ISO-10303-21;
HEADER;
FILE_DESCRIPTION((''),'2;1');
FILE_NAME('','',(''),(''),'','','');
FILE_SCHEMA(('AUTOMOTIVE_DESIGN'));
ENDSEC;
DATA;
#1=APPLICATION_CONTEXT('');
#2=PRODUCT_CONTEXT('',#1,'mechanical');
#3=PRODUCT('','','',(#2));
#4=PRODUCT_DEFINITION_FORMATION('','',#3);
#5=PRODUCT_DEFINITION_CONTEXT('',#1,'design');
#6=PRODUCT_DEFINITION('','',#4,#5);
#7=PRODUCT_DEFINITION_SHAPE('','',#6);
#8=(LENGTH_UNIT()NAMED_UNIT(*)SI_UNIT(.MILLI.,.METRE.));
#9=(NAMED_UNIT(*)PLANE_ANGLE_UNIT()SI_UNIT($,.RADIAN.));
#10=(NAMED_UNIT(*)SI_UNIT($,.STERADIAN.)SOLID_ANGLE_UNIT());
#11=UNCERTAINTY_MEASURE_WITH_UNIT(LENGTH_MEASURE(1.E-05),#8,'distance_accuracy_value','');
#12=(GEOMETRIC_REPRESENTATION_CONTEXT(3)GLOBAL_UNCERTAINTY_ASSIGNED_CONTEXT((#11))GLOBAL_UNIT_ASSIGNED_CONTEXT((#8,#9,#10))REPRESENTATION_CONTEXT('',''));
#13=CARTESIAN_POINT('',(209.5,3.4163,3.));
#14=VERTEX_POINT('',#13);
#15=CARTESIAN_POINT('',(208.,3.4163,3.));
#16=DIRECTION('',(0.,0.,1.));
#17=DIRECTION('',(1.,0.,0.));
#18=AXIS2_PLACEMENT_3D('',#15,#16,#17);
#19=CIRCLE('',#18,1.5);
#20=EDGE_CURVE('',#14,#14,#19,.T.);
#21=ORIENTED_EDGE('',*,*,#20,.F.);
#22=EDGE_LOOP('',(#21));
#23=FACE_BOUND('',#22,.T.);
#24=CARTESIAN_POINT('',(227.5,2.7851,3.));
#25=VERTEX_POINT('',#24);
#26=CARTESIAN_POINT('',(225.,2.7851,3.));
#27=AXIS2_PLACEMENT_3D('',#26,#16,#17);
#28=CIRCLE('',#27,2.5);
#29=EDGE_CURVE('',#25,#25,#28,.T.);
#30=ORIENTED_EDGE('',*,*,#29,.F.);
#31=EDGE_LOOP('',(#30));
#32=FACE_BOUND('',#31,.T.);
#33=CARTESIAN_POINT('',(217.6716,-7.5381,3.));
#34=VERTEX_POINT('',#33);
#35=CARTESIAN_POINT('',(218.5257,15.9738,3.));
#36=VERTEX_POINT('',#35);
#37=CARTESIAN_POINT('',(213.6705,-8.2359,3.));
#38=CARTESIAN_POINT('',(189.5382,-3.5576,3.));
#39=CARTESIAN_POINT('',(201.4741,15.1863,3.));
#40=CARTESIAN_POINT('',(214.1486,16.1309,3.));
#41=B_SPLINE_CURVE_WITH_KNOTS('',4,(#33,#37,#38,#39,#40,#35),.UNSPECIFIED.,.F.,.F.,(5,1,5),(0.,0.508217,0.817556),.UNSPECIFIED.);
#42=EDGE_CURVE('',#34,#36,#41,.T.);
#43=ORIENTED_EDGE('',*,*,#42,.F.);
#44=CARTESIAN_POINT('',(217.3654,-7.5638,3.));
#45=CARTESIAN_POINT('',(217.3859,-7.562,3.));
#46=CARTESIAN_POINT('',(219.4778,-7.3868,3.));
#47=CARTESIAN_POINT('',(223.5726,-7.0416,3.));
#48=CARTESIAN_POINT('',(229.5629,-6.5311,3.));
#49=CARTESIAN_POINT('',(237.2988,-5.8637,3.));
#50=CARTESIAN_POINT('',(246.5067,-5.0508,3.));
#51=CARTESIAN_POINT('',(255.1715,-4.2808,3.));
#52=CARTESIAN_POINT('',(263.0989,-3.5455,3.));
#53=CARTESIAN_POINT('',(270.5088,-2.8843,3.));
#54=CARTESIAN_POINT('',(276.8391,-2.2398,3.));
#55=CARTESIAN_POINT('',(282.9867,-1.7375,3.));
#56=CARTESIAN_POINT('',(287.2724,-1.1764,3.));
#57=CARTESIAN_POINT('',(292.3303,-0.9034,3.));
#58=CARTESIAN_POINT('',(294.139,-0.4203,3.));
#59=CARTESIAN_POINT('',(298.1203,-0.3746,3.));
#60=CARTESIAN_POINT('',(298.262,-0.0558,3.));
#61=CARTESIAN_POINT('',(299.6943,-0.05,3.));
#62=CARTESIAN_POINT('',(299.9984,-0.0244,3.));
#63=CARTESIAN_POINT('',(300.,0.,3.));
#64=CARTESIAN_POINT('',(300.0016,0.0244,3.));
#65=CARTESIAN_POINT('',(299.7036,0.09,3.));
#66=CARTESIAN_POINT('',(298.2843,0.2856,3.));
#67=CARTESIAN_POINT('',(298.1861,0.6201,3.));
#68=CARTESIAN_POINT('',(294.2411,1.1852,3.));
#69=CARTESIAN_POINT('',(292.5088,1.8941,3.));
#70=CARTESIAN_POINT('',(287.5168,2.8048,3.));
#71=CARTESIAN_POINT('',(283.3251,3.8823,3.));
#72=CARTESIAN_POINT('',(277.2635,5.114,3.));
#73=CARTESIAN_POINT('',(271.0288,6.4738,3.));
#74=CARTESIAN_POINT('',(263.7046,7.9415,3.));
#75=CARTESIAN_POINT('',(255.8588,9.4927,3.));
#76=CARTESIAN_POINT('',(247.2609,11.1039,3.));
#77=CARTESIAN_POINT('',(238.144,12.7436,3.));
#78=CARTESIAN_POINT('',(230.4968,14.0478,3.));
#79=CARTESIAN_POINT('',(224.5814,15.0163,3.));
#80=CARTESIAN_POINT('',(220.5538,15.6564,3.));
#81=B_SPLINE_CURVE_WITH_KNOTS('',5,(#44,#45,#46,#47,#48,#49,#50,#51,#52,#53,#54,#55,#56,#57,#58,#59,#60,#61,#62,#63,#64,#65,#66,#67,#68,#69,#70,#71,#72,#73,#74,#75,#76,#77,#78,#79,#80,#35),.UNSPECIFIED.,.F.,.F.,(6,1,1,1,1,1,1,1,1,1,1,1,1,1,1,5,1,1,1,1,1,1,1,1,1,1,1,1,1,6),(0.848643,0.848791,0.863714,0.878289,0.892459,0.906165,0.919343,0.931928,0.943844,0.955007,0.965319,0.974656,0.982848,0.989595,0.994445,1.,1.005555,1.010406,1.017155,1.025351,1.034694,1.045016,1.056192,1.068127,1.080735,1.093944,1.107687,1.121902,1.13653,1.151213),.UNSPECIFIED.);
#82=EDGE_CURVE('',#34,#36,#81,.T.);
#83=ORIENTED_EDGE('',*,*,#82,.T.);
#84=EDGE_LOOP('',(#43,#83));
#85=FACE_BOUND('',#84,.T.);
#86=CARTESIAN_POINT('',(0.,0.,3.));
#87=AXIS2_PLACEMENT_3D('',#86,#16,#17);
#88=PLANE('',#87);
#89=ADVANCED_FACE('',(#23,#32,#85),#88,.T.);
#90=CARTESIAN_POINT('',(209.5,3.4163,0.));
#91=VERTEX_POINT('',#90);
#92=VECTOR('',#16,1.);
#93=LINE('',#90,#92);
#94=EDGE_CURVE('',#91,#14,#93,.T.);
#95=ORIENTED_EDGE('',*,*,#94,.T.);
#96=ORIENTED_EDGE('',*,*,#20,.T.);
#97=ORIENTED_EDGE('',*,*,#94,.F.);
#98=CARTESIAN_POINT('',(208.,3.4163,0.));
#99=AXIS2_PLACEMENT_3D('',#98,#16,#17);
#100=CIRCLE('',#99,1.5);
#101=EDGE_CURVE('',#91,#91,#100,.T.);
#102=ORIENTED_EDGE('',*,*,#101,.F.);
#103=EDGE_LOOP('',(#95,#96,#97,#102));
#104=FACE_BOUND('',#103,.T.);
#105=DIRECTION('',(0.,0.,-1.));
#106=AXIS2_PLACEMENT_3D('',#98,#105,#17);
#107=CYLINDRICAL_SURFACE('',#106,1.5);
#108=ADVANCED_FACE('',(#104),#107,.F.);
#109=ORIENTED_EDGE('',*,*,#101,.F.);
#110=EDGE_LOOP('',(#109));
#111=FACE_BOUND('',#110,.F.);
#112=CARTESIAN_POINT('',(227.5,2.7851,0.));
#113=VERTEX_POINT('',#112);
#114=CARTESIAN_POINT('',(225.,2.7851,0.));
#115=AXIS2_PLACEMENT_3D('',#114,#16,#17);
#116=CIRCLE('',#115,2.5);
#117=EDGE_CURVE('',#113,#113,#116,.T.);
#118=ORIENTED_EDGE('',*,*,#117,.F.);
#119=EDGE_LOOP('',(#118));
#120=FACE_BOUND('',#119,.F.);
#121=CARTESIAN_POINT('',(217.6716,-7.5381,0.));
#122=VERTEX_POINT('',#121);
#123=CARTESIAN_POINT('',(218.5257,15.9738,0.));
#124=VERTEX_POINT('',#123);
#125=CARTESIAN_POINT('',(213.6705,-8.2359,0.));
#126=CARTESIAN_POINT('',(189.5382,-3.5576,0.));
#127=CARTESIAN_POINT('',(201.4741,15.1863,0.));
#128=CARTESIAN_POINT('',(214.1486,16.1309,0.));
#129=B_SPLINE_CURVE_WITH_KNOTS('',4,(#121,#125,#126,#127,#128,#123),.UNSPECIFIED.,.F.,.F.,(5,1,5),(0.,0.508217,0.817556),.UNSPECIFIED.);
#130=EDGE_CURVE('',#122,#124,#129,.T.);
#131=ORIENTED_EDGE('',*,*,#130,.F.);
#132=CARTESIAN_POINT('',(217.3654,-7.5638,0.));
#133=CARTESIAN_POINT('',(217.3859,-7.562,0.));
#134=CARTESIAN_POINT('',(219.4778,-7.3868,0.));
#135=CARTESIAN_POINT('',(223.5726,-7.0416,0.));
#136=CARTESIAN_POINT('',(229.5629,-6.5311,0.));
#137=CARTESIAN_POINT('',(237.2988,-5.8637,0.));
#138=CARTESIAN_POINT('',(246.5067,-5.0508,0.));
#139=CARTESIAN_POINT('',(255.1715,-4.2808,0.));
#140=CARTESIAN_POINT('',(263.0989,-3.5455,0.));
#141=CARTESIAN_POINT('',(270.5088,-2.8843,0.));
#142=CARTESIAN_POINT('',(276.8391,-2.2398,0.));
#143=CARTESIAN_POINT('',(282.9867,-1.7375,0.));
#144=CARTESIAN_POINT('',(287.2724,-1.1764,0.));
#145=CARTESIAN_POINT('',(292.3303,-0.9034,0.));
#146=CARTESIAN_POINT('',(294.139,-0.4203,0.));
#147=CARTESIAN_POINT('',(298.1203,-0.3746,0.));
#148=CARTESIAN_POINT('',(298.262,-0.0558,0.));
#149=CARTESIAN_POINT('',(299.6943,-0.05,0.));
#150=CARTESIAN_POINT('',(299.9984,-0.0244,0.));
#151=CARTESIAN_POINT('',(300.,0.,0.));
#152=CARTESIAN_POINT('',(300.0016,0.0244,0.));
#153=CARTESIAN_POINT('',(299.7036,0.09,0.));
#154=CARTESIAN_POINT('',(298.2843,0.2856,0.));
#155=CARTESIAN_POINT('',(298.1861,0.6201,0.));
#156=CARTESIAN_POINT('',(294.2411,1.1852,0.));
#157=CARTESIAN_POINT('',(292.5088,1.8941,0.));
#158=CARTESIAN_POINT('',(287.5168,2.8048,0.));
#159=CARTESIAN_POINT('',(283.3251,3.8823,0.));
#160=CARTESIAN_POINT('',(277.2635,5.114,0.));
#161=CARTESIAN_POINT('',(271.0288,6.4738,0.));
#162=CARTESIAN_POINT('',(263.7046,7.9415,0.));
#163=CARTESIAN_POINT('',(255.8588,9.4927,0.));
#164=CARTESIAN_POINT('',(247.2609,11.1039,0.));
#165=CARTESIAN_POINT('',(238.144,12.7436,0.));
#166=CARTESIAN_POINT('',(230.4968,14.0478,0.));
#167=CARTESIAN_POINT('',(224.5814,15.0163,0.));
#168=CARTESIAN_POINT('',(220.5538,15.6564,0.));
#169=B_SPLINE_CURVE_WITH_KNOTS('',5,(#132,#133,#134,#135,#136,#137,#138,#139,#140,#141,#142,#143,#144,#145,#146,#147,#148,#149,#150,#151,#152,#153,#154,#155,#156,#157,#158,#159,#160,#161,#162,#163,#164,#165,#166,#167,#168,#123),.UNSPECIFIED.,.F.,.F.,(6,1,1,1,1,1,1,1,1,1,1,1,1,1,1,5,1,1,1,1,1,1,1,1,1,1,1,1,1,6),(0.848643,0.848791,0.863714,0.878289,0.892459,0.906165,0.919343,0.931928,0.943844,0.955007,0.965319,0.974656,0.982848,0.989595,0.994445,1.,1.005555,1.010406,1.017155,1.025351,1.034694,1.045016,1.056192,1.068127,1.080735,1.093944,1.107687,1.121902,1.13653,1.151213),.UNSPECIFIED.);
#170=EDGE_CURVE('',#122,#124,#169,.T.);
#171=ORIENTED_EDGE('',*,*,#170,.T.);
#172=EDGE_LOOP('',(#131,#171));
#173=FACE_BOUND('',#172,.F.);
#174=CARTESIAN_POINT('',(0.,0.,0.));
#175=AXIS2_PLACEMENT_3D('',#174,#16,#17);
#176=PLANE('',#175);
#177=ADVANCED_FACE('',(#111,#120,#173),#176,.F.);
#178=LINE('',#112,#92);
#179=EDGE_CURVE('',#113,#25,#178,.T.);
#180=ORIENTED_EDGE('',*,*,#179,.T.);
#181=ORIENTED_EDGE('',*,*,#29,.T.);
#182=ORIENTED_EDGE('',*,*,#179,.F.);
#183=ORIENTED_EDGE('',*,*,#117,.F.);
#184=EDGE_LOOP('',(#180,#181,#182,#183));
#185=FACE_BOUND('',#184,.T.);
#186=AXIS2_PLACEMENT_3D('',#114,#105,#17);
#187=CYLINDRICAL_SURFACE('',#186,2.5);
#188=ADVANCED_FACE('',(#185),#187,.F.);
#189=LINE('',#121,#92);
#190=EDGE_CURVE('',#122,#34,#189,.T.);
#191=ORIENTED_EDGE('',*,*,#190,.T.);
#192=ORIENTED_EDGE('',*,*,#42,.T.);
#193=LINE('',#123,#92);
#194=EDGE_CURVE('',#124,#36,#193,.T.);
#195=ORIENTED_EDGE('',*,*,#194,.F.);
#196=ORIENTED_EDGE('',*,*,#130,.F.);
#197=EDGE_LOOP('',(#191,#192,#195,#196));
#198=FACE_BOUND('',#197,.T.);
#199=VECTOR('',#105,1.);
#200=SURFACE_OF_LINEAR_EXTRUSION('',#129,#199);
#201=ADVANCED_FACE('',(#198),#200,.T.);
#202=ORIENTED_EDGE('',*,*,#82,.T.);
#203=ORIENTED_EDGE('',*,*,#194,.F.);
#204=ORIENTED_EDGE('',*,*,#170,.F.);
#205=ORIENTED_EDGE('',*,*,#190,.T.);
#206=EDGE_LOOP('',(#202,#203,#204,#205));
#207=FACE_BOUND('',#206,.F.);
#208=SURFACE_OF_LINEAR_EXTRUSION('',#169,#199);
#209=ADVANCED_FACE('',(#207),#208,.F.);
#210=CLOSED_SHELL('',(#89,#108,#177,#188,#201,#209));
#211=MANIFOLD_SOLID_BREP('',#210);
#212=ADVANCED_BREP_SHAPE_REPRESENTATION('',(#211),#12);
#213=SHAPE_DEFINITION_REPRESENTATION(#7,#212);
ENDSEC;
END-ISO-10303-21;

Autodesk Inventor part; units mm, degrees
ref_plane "YZ Plane" through (0, 0, 0) normal (1, 0, 0) x (0, 1, 0)
ref_plane "XZ Plane" through (0, 0, 0) normal (0, 1, 0) x (-1, 0, 0)
ref_plane "XY Plane" through (0, 0, 0) normal (0, 0, 1) x (1, 0, 0)
sketch "Sketch1" plane through (0, 0, 0) normal (0, 0, 1) x (1, 0, 0)
  spline S0 degree 5 poles (217.3654, -7.5638) (217.3859, -7.562) (219.4778, -7.3868) (223.5726, -7.0416) (229.5629, -6.5311) (237.2988, -5.8637) (246.5067, -5.0508) (255.1715, -4.2808) (263.0989, -3.5455) (270.5088, -2.8843) (276.8391, -2.2398) (282.9867, -1.7375) (287.2724, -1.1764) (292.3303, -0.9034) (294.139, -0.4203) (298.1203, -0.3746) (298.262, -0.0558) (299.6943, -0.05) (299.9984, -0.0244) (300, 0) (300.0016, 0.0244) (299.7036, 0.09) (298.2843, 0.2856) (298.1861, 0.6201) (294.2411, 1.1852) (292.5088, 1.8941) (287.5168, 2.8048) (283.3251, 3.8823) (277.2635, 5.114) (271.0288, 6.4738) (263.7046, 7.9415) (255.8588, 9.4927) (247.2609, 11.1039) (238.144, 12.7436) (230.4968, 14.0478) (224.5814, 15.0163) (220.5538, 15.6564) (218.5257, 15.9738) knots 0.848643 0.848643 0.848643 0.848643 0.848643 0.848643 0.848791 0.863714 0.878289 0.892459 0.906165 0.919343 0.931928 0.943844 0.955007 0.965319 0.974656 0.982848 0.989595 0.994445 1 1 1 1 1 1.005555 1.010406 1.017155 1.025351 1.034694 1.045016 1.056192 1.068127 1.080735 1.093944 1.107687 1.121902 1.13653 1.151213 1.151213 1.151213 1.151213 1.151213 1.151213
  line L0 (200, 103) -> (200, -97) construction
  line L1 (300, -103) -> (300, 103) construction
  line L2 (200, 3.7134) -> (300, 0) construction
  circle A0 centre (225, 2.7851) radius 2.5
  line L3 (205.8741, -8.5266) -> (228.8566, -6.6009) construction
  arc A1 (208.1717, -8.3262) -> (226.5577, -6.7856) centre (-233.8691, 5377.8161) ccw construction
  line L4 (230.0222, 14.1744) -> (207.0292, 17.7732) construction
  arc A2 (227.7165, 14.4952) -> (209.3227, 17.3741) centre (49.5564, -1063.5951) ccw construction
  spline S1 degree 4 poles (217.6716, -7.5381) (213.6705, -8.2359) (189.5382, -3.5576) (201.4741, 15.1863) (214.1486, 16.1309) (218.5257, 15.9738) knots 0 0 0 0 0 0.508217 0.817556 0.817556 0.817556 0.817556 0.817556
  line L5 (212.7843, 16.1798) -> (224.2671, 15.7678) construction
  arc A3 (223.0904, 15.5928) -> (213.9454, 15.921) centre (216.7921, -32.3331) ccw construction
  circle A4 centre (208, 3.4163) radius 1.5
  point P0 (299.5428, 0.1089)
  point P1 (298.1739, 0.4338)
  point P2 (295.9008, 0.9681)
  point P3 (292.7367, 1.7025)
  point P4 (288.6996, 2.6229)
  point P5 (283.8129, 3.7134)
  point P6 (278.1048, 4.9545)
  point P7 (271.6086, 6.3255)
  point P8 (264.3621, 7.8039)
  point P9 (256.4085, 9.3663)
  point P10 (247.7946, 10.9887)
  point P11 (238.572, 12.6468)
  point P12 (228.7959, 14.3166)
  point P13 (207.8235, 17.5944)
  point P14 (237.7638, -5.8185)
  point P15 (247.0398, -5.0019)
  point P16 (255.7236, -4.2234)
  point P17 (263.7597, -3.4905)
  point P18 (271.0965, -2.8098)
  point P19 (277.6872, -2.1882)
  point P20 (283.4889, -1.6323)
  point P21 (288.4641, -1.1487)
  point P22 (292.5804, -0.7434)
  point P23 (295.8102, -0.4221)
  point P24 (298.1328, -0.1887)
  point P25 (299.5323, -0.0474)
  point P26 (217.3654, -7.5638)
  point P27 (206.2647, 13.1249)
  point P28 (218.5257, 15.9738)
  dimension "d17" = 100
  dimension "d22" = 5
  dimension "d23" = 75
  dimension "d27" = 3
sketch "Sketch3" plane through (0, 0, 0) normal (0, 0, 1) x (1, 0, 0)
  point P0 (0, 0)
sketch "Sketch4" plane through (0, 0, 0) normal (0, 0, 1) x (1, 0, 0)
  point P0 (0, 0)
sketch "Sketch5" plane through (0, 0, 0) normal (0, 0, 1) x (1, 0, 0)
  point P0 (0, 0)
sketch "Sketch6" plane through (0, 0, 0) normal (0, 0, 1) x (1, 0, 0)
  point P0 (0, 0)
sketch "Sketch7" plane through (0, 0, 0) normal (0, 0, 1) x (1, 0, 0)
  point P0 (0, 0)
extrude "Extrusion2" add sketch "Sketch1" along normal blind 3
properties part number "AIL end ribs assembly" material "Plywood, Finish"
